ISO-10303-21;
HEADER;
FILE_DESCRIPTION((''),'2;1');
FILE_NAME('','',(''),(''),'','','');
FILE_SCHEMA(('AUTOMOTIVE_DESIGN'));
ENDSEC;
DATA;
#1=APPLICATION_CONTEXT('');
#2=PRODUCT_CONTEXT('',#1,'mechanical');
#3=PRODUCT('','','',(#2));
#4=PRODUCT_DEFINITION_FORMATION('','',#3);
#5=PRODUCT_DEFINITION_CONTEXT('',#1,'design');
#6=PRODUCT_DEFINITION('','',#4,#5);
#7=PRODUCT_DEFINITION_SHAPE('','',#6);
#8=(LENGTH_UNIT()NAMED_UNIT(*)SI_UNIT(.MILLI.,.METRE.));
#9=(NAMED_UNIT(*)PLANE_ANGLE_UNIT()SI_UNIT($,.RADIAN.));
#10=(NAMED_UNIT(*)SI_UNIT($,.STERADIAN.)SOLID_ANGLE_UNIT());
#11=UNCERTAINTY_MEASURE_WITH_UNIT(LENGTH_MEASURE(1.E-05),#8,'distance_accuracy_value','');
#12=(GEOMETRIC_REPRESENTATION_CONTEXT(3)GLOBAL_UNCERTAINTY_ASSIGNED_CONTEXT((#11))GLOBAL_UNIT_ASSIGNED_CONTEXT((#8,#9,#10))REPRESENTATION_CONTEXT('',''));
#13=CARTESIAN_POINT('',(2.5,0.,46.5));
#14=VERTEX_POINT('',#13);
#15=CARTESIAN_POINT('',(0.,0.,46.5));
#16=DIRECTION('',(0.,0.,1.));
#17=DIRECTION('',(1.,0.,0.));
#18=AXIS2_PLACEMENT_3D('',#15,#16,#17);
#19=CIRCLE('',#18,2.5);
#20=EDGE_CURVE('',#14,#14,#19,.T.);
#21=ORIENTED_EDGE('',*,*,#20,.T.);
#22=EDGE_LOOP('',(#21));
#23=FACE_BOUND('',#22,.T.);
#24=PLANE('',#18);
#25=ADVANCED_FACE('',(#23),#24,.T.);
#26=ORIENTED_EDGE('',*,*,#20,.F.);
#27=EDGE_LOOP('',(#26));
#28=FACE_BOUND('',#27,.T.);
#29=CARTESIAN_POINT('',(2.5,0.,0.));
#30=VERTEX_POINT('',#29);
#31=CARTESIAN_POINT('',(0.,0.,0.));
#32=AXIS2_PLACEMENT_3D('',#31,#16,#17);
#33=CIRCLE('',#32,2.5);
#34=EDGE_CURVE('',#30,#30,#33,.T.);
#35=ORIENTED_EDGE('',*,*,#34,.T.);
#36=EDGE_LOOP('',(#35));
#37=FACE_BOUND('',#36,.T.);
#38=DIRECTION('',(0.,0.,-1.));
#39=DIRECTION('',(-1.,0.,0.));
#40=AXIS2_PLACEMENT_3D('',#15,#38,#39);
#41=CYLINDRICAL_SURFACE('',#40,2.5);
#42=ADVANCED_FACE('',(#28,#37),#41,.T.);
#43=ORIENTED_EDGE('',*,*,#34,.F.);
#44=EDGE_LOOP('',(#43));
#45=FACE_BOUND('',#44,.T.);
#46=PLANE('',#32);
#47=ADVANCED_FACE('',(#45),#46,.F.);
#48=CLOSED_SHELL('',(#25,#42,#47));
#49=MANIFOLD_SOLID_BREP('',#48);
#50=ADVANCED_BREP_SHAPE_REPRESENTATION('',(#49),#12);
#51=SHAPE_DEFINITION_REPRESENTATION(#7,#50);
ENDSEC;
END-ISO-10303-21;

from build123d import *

# Parameters (mm, degrees)
SKETCH1_R           = 2.5
BOSS_EXTRUDE1_DEPTH = 46.5


with BuildPart() as part:
    # Sketch1 → Boss-Extrude1 (new body)
    with BuildSketch(Plane.XY):
        Circle(SKETCH1_R)
    extrude(amount=BOSS_EXTRUDE1_DEPTH)


solid = part.part
